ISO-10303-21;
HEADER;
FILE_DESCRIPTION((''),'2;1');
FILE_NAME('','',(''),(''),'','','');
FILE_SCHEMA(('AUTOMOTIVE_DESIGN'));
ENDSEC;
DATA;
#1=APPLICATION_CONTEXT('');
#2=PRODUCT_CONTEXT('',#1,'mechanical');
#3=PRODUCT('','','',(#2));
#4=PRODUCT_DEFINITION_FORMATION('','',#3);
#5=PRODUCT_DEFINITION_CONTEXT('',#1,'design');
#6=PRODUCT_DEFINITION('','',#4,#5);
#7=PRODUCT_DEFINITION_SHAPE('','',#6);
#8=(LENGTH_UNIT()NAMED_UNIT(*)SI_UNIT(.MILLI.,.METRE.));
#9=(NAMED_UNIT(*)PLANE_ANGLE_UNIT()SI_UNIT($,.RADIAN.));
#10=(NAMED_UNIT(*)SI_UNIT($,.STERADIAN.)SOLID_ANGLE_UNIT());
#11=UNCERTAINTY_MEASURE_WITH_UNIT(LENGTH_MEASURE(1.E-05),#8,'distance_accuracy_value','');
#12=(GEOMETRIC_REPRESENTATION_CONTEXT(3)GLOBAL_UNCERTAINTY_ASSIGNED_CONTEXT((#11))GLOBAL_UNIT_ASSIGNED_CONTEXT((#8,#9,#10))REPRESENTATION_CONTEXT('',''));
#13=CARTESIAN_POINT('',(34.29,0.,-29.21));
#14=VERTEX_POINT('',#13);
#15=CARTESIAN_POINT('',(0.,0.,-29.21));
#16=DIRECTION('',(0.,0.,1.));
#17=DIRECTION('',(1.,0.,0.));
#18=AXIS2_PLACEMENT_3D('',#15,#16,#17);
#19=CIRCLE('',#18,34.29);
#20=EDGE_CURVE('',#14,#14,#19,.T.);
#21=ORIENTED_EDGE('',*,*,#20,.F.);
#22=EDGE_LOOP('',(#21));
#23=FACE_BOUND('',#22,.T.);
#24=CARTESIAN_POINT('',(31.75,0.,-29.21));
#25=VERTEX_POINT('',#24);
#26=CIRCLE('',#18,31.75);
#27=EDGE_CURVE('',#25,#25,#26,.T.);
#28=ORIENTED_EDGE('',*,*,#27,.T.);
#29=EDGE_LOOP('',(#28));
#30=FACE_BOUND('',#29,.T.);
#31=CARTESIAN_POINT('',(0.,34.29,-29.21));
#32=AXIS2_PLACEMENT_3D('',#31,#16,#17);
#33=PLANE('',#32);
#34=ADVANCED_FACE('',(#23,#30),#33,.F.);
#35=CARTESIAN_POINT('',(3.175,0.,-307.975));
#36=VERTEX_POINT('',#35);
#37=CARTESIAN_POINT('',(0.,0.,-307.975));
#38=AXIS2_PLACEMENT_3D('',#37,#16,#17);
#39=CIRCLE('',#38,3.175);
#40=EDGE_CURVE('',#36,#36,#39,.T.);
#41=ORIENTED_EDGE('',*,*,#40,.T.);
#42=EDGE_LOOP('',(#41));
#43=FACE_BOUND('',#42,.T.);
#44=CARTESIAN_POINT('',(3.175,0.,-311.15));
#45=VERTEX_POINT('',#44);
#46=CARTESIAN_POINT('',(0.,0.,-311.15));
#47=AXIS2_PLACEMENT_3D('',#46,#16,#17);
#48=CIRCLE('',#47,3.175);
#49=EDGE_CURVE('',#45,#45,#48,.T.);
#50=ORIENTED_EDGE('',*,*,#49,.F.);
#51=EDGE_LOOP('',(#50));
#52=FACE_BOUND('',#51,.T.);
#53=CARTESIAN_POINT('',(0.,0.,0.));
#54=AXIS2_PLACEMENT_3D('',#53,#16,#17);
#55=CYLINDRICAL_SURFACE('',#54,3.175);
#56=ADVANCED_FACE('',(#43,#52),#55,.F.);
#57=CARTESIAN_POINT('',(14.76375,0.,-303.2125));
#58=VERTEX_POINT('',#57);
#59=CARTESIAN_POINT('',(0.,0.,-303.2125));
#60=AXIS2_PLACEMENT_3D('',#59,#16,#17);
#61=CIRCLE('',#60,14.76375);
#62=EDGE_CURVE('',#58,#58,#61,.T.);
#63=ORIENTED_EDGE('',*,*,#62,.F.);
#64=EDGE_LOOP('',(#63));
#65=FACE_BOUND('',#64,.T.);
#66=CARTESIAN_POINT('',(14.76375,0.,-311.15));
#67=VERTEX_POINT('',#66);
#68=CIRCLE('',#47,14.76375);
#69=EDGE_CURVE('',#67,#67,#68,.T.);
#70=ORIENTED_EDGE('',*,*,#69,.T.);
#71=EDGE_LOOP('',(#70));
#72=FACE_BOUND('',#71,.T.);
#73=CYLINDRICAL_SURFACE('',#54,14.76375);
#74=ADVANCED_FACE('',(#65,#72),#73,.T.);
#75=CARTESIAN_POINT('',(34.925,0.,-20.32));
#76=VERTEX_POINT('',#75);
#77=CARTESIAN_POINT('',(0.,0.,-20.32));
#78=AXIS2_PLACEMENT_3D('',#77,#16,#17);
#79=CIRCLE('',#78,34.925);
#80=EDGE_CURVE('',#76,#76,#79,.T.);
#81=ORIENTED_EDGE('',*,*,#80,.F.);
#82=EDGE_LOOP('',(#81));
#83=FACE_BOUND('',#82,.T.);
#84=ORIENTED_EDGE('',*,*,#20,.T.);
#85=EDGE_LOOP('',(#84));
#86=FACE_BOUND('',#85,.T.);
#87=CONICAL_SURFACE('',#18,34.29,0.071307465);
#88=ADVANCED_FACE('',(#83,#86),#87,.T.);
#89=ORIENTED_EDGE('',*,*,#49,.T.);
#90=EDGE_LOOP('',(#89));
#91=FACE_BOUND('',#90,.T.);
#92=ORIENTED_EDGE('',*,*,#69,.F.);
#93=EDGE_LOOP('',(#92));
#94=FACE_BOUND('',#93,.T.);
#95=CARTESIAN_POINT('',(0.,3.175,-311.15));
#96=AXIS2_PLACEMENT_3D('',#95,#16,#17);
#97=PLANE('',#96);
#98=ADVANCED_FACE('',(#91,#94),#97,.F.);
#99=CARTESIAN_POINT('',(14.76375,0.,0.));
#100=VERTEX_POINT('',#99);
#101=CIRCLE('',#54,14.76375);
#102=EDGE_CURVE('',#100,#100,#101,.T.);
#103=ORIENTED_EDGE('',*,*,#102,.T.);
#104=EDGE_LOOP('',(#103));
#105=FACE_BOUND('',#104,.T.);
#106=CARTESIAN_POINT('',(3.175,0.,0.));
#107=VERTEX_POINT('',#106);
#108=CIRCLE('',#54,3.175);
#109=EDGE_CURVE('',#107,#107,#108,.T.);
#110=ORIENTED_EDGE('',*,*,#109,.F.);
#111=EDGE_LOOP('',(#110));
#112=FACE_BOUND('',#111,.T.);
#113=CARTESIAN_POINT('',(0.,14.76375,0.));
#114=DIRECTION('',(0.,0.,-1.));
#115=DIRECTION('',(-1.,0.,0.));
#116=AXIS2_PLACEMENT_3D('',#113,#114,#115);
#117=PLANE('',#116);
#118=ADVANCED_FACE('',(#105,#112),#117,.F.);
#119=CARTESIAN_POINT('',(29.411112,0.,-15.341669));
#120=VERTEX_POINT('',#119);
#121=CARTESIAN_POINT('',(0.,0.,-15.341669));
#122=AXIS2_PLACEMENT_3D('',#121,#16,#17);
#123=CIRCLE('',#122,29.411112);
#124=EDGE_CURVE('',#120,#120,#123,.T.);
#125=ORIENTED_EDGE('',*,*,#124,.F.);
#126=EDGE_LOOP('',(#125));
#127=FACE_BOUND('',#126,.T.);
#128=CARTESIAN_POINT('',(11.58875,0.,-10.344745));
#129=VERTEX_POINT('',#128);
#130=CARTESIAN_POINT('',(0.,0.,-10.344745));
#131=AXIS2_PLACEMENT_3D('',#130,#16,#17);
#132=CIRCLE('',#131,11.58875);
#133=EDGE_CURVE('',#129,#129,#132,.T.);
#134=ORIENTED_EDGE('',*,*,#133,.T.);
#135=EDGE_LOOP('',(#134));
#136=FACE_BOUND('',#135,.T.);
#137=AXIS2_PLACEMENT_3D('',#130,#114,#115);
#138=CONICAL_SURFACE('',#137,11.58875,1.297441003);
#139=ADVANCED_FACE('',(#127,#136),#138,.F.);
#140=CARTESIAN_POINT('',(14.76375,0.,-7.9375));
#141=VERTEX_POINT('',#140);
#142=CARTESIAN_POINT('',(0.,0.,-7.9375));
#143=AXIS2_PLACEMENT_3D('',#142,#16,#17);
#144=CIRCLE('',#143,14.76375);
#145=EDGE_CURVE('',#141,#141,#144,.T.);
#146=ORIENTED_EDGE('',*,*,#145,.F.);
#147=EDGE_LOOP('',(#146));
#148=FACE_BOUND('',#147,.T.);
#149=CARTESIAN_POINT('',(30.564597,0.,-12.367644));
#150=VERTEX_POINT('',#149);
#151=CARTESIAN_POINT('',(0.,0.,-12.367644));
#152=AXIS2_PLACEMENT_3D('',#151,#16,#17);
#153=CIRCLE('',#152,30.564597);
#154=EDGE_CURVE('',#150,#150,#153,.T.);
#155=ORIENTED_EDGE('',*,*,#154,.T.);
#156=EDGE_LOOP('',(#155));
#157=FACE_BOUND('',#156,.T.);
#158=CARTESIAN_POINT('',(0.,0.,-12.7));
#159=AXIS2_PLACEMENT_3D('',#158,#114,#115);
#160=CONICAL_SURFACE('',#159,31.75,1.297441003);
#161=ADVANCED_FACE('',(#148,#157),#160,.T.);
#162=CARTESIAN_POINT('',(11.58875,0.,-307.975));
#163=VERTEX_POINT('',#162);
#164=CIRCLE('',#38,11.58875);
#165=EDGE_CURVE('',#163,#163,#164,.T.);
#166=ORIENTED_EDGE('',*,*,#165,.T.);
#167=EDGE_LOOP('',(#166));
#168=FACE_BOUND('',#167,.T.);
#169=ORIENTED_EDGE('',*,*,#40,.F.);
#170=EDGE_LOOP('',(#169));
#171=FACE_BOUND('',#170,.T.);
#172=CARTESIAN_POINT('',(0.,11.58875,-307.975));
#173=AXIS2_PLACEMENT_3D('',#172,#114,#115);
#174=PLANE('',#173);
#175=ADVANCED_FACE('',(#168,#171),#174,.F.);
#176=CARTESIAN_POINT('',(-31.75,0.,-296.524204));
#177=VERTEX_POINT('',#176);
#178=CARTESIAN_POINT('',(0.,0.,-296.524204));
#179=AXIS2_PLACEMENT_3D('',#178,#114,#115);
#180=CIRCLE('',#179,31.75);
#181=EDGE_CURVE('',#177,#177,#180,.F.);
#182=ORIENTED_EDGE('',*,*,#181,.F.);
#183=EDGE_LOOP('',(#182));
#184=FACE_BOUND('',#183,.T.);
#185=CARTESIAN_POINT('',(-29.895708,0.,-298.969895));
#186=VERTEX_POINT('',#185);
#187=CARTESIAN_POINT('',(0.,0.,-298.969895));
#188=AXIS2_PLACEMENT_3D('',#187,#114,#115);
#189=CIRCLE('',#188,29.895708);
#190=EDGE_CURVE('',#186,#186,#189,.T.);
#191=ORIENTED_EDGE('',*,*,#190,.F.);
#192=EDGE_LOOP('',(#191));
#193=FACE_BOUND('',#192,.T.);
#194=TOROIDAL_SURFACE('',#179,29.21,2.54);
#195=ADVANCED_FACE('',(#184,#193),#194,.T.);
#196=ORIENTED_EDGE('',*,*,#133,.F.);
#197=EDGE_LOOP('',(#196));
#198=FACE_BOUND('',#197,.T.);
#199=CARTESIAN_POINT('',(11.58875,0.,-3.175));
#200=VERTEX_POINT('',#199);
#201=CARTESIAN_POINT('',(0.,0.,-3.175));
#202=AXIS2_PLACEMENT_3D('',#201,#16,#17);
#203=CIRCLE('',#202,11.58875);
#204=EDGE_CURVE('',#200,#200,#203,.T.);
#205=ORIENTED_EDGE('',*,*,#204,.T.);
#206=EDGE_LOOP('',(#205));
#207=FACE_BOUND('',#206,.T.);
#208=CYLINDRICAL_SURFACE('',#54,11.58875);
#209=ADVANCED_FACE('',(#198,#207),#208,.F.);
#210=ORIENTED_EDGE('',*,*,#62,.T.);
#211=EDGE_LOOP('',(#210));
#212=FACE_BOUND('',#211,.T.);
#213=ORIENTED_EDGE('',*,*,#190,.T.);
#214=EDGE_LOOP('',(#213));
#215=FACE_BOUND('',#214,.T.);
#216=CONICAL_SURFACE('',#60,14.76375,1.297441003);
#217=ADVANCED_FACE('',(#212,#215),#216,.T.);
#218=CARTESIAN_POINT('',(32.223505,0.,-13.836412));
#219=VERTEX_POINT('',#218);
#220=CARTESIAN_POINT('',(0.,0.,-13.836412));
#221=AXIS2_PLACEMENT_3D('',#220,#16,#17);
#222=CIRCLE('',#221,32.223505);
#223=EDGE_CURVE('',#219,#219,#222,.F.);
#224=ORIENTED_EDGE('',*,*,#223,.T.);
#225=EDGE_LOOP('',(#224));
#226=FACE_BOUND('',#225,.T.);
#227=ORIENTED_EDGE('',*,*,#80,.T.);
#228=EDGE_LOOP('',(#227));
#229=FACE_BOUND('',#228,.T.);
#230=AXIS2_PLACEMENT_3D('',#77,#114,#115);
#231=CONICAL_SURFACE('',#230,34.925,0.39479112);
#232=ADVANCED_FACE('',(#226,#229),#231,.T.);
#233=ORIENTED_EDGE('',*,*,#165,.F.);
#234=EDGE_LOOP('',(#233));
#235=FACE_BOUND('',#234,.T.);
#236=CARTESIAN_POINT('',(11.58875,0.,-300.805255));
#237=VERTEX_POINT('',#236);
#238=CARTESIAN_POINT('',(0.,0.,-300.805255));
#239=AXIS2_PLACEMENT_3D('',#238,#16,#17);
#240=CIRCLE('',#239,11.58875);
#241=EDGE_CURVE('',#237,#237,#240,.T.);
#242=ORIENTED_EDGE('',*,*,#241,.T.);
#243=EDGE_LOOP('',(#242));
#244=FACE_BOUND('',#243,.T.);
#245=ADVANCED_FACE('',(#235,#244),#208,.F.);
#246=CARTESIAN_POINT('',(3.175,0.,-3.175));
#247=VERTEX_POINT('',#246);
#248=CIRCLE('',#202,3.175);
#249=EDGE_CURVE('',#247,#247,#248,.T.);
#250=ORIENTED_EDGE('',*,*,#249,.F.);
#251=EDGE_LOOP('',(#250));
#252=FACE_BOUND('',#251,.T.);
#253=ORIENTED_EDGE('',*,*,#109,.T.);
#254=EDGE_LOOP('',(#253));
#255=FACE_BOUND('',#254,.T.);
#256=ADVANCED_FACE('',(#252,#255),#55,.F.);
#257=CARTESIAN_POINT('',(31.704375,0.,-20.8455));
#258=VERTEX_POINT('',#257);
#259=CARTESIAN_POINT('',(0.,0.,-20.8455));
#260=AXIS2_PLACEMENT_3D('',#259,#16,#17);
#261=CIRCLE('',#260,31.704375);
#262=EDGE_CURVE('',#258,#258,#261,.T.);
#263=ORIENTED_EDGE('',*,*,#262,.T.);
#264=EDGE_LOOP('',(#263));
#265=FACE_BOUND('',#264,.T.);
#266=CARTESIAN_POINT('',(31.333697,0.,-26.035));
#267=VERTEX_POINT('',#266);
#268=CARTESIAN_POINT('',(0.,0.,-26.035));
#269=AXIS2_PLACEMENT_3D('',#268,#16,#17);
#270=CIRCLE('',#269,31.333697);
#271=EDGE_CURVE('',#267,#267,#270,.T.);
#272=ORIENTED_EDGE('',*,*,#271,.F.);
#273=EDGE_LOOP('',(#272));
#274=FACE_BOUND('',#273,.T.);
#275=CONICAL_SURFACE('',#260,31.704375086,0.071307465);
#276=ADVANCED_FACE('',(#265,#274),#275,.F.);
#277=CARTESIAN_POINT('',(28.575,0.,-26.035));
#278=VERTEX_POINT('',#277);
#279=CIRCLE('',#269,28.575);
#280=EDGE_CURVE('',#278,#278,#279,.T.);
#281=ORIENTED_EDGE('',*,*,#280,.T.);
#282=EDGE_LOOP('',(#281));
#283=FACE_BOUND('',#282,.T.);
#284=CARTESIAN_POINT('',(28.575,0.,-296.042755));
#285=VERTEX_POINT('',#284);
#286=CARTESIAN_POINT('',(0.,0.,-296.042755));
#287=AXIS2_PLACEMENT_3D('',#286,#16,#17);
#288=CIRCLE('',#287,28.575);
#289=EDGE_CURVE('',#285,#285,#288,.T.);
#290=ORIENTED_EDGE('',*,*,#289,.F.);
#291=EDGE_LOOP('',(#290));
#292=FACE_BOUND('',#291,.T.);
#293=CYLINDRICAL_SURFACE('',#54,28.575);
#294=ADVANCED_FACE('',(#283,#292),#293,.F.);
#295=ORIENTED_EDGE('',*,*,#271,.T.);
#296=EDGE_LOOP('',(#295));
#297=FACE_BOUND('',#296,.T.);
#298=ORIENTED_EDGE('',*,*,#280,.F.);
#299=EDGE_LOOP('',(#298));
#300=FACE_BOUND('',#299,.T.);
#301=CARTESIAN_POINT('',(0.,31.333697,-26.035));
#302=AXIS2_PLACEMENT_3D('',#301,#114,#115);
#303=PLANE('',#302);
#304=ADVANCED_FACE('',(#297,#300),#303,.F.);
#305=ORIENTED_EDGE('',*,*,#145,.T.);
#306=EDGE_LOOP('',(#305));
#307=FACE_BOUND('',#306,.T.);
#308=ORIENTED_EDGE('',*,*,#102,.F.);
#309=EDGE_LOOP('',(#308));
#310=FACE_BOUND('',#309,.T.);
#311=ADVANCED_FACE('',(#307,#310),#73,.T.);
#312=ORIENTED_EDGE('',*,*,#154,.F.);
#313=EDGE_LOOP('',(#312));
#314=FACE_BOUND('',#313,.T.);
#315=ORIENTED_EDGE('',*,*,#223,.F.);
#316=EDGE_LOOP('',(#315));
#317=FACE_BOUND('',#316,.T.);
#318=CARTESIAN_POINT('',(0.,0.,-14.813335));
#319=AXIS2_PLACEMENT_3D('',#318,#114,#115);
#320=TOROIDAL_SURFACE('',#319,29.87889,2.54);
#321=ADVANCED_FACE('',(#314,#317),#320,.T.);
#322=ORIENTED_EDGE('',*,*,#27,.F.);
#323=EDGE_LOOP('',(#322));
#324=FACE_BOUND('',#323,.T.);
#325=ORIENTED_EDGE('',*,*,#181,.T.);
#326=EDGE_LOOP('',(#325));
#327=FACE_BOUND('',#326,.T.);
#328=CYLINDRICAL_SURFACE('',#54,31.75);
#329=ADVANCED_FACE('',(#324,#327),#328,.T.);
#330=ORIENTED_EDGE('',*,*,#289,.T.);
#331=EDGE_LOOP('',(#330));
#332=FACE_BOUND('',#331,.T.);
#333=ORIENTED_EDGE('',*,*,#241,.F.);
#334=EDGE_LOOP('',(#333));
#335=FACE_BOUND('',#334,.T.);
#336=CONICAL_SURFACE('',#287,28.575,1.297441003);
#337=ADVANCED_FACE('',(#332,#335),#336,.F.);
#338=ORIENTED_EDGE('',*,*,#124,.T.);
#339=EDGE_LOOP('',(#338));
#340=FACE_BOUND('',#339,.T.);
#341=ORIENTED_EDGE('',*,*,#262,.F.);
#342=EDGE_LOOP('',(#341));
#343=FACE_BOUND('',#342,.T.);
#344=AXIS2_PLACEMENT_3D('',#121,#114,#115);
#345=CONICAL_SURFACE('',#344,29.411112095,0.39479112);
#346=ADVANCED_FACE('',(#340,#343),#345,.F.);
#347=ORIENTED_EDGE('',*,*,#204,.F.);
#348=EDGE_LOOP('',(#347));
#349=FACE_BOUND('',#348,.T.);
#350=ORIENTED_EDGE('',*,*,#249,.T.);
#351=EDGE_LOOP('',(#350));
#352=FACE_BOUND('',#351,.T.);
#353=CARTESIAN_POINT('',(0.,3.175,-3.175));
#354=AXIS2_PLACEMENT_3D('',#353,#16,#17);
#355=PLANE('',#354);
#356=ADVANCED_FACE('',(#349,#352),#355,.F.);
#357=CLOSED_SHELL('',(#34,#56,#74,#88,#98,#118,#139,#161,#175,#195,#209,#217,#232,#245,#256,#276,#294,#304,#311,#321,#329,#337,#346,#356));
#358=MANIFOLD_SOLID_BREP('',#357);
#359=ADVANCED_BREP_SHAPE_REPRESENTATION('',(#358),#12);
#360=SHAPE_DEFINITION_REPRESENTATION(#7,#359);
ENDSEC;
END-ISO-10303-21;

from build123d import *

# Parameters (mm, degrees)
FILLET1_R = 2.54


with BuildPart() as part:
    # Sketch1 → Revolve1 (revolve)
    with BuildSketch(Plane(origin=(0, 0, 0), x_dir=(0, 0, -1), z_dir=(1, 0, 0)), mode=Mode.PRIVATE) as revolve1_sk:
        Polygon((0, 14.76375), (7.9375, 14.76375), (12.7, 31.75), (20.32, 34.925), (29.21, 34.29), (29.21, 31.75), (298.45, 31.75), (303.2125, 14.76375), (311.15, 14.76375), (311.15, 3.175), (307.975, 3.175), (307.975, 11.58875), (300.805254923, 11.58875), (296.042754923, 28.575), (26.035, 28.575), (26.035, 31.333696529), (20.845500206, 31.704375086), (15.341669029, 29.411112095), (10.344745077, 11.58875), (3.175, 11.58875), (3.175, 3.175), (0, 3.175), align=None)
    revolve(revolve1_sk.sketch.rotate(Axis((0, 0, 0), (0, 0, -1)), 90), axis=Axis((0, 0, 0), (0, 0, -1)))

    # Fillet1
    fillet1_edges = [part.edges().sort_by_distance(p)[0] for p in [
        (-31.75, 0, -298.45),
        (-31.75, 0, -12.7),
    ]]
    fillet(fillet1_edges, radius=FILLET1_R)


solid = part.part
